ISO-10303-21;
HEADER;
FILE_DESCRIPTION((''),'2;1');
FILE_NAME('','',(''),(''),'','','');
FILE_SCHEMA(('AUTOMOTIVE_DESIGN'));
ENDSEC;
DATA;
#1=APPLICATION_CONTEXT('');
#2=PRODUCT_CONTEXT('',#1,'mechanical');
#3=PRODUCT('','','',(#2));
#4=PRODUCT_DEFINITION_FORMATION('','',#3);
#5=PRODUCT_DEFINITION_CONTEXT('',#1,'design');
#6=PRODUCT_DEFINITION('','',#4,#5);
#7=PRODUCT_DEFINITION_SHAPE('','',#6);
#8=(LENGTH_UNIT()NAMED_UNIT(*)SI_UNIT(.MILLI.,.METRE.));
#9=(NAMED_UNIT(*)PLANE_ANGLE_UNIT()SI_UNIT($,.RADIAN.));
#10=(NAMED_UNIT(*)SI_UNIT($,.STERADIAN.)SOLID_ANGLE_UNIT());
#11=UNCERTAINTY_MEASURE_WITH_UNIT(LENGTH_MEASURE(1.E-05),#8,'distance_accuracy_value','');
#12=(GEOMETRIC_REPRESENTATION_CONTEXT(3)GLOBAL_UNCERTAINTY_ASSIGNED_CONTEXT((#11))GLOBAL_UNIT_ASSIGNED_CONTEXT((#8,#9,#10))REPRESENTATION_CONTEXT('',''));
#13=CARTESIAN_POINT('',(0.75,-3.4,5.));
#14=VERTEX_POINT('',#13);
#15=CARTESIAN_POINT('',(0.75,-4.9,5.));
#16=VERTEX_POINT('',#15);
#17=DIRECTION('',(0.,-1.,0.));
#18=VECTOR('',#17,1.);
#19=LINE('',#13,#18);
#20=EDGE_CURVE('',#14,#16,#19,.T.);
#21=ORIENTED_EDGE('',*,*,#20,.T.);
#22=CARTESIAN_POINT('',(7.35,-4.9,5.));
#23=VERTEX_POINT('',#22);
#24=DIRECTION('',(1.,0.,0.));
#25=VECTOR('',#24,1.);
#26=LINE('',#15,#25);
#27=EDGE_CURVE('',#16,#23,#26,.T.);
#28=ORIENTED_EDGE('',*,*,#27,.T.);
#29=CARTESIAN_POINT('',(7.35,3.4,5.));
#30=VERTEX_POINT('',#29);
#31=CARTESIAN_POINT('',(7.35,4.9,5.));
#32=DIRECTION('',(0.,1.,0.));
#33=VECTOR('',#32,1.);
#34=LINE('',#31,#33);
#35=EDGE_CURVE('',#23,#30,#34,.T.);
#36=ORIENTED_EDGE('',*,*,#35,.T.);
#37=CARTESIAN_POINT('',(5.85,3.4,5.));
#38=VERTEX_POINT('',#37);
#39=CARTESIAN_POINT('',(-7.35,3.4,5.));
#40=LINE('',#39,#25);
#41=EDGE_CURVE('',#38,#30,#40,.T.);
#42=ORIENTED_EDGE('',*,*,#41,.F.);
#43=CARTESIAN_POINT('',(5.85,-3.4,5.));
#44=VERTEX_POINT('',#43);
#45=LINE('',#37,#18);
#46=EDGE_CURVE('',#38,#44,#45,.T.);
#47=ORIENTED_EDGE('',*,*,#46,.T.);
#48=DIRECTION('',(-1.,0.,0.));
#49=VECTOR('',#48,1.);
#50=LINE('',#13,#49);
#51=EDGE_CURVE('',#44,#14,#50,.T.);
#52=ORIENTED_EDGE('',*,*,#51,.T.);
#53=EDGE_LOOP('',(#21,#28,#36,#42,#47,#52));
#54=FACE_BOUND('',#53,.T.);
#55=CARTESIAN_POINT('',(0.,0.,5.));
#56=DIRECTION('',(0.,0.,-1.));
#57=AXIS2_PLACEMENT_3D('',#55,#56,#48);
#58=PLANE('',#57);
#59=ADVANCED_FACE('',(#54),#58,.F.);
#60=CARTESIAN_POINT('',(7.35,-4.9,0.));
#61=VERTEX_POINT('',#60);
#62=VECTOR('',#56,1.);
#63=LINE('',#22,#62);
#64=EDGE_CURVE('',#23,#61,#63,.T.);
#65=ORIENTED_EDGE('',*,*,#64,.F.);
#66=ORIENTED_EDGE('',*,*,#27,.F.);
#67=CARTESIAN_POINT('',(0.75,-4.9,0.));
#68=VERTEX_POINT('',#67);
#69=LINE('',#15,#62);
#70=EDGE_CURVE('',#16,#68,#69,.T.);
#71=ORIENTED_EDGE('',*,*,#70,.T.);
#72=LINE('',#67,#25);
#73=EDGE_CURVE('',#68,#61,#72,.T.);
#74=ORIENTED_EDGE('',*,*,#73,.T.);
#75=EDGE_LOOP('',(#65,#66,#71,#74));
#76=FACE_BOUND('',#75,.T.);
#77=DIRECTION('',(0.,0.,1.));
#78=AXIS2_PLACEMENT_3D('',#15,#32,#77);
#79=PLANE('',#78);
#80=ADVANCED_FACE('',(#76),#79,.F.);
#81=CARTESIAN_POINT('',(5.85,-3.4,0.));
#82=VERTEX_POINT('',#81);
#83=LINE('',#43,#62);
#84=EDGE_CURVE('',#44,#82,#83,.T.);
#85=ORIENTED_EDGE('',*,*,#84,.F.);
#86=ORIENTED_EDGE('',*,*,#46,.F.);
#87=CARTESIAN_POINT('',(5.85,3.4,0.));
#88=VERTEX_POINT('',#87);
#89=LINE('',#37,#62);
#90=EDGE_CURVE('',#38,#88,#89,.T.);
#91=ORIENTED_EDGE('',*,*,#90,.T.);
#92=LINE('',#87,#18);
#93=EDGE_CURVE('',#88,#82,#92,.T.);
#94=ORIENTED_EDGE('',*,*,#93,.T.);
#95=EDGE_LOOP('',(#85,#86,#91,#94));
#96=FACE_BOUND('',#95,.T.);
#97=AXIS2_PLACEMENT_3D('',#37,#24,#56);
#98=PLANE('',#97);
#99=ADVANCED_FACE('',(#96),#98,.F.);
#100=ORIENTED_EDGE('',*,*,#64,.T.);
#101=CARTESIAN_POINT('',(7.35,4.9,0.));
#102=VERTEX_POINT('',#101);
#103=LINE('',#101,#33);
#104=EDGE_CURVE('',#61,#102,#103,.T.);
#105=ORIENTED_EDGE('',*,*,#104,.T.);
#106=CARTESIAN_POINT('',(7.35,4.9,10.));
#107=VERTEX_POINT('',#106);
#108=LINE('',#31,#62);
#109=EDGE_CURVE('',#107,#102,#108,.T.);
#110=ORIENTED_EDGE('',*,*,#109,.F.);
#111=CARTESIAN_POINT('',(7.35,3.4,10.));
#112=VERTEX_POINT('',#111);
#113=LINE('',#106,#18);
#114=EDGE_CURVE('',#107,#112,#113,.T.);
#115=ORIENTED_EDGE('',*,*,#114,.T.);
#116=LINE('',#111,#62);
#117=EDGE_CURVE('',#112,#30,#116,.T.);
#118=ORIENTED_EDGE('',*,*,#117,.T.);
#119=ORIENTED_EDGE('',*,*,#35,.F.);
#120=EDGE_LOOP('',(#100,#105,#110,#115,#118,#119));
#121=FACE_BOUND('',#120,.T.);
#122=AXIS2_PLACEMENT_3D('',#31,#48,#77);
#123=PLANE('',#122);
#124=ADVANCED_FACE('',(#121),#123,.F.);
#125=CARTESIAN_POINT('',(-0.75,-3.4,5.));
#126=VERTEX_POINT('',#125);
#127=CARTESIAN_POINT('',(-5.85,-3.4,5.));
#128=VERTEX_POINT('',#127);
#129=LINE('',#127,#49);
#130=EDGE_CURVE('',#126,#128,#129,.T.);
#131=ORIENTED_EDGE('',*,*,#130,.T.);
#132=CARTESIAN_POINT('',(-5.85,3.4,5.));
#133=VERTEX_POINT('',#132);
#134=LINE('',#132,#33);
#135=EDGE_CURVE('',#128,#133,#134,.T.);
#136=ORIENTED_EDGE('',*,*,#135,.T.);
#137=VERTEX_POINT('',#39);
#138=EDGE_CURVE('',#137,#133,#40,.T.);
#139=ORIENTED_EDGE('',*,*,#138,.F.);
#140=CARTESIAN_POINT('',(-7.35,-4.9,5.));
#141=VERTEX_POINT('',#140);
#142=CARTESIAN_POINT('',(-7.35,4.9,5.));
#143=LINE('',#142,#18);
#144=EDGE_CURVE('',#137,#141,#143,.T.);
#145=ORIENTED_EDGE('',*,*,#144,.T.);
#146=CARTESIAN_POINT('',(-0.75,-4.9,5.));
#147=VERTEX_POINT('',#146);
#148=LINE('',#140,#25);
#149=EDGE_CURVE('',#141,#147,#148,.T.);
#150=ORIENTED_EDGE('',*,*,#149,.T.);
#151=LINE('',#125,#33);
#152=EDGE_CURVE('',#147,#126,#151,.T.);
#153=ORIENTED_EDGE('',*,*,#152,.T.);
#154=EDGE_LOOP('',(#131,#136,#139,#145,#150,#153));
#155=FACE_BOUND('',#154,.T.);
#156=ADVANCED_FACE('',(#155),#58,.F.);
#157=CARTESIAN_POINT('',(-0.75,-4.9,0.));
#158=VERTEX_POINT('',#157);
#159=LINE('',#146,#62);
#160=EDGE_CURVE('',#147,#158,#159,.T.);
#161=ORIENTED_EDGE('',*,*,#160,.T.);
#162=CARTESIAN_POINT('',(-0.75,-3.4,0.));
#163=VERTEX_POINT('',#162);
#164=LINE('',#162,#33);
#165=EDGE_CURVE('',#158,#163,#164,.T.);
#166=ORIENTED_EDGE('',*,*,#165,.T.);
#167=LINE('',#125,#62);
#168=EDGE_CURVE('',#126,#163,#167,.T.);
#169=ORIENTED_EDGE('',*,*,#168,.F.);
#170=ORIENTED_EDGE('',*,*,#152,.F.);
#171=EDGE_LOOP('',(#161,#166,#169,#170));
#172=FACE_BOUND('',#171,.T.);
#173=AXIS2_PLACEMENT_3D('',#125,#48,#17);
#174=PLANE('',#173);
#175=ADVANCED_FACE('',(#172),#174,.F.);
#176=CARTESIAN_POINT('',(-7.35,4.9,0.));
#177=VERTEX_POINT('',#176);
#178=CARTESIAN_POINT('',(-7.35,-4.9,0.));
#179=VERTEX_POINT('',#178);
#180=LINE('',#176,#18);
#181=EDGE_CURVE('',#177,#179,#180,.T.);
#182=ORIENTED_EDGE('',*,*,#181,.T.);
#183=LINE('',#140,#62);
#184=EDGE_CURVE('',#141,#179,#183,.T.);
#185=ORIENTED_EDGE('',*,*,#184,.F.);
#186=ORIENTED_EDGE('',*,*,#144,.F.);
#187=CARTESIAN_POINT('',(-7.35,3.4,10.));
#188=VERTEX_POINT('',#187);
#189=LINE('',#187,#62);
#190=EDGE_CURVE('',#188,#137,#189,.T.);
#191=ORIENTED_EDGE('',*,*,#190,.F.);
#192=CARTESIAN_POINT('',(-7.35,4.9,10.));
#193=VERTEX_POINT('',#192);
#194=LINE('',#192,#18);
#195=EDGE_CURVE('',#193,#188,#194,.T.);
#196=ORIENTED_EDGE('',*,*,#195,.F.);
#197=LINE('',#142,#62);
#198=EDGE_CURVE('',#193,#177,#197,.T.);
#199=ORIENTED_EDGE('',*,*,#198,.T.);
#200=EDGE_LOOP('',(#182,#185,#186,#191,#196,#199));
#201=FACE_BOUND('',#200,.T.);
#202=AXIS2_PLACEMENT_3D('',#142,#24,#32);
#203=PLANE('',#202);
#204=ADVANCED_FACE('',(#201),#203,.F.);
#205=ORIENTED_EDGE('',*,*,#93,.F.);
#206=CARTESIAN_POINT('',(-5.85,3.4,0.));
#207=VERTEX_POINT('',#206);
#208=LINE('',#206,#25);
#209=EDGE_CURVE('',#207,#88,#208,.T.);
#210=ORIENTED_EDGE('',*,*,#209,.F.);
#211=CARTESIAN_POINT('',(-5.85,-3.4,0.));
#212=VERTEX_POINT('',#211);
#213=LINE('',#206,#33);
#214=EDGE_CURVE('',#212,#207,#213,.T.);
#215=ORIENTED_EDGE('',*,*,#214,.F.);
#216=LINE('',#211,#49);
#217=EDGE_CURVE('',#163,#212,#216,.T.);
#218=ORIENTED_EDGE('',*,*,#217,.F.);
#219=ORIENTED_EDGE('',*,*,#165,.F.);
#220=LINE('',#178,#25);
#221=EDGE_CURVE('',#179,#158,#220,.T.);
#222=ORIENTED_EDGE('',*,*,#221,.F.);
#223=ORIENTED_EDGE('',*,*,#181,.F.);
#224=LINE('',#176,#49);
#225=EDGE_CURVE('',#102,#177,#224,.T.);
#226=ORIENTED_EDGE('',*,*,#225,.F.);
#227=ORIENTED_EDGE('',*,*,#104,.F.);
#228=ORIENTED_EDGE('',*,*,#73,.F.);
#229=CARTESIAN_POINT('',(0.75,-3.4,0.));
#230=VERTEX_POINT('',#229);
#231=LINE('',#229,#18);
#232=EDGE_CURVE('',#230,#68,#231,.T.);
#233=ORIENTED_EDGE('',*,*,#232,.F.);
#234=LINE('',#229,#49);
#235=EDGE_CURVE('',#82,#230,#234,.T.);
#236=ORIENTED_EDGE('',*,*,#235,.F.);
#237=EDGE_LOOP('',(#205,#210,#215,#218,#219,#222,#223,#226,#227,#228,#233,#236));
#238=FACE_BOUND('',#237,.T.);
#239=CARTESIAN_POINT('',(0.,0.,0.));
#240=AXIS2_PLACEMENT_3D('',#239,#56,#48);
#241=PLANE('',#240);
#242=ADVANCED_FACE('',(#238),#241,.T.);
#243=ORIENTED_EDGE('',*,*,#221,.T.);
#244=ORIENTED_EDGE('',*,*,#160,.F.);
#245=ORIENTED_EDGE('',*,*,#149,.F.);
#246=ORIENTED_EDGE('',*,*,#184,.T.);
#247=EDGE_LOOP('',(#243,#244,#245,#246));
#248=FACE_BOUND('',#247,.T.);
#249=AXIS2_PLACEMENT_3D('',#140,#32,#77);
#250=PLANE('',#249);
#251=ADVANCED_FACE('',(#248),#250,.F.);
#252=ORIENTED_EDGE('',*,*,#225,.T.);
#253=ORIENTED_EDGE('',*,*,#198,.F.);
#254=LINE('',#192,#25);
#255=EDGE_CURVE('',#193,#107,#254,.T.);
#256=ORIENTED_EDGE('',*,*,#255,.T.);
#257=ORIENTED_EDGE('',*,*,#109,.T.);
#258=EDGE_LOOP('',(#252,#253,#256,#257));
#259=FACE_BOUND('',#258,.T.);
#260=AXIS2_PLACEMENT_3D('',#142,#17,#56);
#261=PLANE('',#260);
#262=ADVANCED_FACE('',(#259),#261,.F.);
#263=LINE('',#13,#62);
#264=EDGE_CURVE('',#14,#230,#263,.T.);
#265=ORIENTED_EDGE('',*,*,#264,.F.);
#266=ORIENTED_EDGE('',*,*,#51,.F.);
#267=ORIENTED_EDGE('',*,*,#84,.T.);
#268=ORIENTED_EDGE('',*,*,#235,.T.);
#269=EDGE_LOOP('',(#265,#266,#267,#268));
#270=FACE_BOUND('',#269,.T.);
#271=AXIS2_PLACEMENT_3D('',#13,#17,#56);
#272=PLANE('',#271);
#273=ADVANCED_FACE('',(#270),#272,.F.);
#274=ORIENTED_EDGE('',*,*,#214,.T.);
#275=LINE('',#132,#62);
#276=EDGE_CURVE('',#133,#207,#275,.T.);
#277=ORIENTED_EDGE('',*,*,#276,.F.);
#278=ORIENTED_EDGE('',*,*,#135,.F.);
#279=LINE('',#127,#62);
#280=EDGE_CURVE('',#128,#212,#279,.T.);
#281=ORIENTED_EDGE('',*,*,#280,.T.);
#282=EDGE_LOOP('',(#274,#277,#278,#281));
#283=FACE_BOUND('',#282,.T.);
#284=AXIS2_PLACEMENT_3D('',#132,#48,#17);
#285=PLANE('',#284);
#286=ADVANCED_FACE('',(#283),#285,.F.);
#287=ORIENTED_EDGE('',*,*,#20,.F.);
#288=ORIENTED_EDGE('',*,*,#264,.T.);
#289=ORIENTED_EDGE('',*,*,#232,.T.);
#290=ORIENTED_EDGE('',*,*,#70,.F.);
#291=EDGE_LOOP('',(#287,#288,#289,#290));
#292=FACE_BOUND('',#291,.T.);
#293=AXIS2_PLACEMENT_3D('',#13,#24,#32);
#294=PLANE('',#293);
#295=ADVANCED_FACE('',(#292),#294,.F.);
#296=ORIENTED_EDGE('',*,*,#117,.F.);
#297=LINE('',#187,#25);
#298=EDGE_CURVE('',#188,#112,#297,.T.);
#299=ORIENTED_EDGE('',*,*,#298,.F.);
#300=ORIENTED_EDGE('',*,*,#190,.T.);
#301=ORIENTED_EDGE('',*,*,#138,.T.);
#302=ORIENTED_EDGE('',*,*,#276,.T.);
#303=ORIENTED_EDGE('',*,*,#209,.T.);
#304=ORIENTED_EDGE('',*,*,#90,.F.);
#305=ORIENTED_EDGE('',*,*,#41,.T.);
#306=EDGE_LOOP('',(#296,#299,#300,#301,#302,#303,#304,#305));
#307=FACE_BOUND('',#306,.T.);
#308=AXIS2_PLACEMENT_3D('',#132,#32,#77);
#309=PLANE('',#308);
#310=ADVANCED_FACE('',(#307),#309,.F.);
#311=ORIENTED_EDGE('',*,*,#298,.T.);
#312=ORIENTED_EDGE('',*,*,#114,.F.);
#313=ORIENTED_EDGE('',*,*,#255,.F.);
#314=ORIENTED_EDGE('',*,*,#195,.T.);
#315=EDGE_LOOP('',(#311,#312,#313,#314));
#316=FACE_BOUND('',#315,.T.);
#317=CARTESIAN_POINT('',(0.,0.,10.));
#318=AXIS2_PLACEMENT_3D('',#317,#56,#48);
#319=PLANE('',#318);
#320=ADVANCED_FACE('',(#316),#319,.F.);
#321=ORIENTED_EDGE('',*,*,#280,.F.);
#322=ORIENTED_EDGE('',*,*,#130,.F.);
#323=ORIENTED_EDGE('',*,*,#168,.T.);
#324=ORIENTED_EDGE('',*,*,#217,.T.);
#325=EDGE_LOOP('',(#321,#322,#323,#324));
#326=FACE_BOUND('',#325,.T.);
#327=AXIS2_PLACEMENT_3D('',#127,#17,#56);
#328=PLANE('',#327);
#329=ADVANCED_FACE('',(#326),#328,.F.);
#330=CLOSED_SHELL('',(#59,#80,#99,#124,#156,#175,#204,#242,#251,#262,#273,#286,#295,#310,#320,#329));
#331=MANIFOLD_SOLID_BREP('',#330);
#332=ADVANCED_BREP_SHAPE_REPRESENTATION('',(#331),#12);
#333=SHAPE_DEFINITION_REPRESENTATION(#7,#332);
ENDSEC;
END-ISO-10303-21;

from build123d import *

# Parameters (mm, degrees)
EXTRUDE_458_DEPTH = 5
SKETCH_2_W        = 14.7
SKETCH_2_H        = 1.5
EXTRUDE_744_DEPTH = 5


with BuildPart() as part:
    # Эскиз1 → Extrude 458 (new body)
    with BuildSketch(Plane.XY):
        Polygon((-7.35, 4.9), (-7.35, -4.9), (-0.75, -4.9), (-0.75, -3.4), (-5.85, -3.4), (-5.85, 3.4), (5.85, 3.4), (5.85, -3.4), (0.75, -3.4), (0.75, -4.9), (7.35, -4.9), (7.35, 4.9), align=None)
    extrude(amount=EXTRUDE_458_DEPTH)

    # Эскиз2 → Extrude 744 (add)
    with BuildSketch(Plane.XY.offset(5)):
        with Locations((0, 4.15)):
            Rectangle(SKETCH_2_W, SKETCH_2_H)
    extrude(amount=EXTRUDE_744_DEPTH)


solid = part.part
